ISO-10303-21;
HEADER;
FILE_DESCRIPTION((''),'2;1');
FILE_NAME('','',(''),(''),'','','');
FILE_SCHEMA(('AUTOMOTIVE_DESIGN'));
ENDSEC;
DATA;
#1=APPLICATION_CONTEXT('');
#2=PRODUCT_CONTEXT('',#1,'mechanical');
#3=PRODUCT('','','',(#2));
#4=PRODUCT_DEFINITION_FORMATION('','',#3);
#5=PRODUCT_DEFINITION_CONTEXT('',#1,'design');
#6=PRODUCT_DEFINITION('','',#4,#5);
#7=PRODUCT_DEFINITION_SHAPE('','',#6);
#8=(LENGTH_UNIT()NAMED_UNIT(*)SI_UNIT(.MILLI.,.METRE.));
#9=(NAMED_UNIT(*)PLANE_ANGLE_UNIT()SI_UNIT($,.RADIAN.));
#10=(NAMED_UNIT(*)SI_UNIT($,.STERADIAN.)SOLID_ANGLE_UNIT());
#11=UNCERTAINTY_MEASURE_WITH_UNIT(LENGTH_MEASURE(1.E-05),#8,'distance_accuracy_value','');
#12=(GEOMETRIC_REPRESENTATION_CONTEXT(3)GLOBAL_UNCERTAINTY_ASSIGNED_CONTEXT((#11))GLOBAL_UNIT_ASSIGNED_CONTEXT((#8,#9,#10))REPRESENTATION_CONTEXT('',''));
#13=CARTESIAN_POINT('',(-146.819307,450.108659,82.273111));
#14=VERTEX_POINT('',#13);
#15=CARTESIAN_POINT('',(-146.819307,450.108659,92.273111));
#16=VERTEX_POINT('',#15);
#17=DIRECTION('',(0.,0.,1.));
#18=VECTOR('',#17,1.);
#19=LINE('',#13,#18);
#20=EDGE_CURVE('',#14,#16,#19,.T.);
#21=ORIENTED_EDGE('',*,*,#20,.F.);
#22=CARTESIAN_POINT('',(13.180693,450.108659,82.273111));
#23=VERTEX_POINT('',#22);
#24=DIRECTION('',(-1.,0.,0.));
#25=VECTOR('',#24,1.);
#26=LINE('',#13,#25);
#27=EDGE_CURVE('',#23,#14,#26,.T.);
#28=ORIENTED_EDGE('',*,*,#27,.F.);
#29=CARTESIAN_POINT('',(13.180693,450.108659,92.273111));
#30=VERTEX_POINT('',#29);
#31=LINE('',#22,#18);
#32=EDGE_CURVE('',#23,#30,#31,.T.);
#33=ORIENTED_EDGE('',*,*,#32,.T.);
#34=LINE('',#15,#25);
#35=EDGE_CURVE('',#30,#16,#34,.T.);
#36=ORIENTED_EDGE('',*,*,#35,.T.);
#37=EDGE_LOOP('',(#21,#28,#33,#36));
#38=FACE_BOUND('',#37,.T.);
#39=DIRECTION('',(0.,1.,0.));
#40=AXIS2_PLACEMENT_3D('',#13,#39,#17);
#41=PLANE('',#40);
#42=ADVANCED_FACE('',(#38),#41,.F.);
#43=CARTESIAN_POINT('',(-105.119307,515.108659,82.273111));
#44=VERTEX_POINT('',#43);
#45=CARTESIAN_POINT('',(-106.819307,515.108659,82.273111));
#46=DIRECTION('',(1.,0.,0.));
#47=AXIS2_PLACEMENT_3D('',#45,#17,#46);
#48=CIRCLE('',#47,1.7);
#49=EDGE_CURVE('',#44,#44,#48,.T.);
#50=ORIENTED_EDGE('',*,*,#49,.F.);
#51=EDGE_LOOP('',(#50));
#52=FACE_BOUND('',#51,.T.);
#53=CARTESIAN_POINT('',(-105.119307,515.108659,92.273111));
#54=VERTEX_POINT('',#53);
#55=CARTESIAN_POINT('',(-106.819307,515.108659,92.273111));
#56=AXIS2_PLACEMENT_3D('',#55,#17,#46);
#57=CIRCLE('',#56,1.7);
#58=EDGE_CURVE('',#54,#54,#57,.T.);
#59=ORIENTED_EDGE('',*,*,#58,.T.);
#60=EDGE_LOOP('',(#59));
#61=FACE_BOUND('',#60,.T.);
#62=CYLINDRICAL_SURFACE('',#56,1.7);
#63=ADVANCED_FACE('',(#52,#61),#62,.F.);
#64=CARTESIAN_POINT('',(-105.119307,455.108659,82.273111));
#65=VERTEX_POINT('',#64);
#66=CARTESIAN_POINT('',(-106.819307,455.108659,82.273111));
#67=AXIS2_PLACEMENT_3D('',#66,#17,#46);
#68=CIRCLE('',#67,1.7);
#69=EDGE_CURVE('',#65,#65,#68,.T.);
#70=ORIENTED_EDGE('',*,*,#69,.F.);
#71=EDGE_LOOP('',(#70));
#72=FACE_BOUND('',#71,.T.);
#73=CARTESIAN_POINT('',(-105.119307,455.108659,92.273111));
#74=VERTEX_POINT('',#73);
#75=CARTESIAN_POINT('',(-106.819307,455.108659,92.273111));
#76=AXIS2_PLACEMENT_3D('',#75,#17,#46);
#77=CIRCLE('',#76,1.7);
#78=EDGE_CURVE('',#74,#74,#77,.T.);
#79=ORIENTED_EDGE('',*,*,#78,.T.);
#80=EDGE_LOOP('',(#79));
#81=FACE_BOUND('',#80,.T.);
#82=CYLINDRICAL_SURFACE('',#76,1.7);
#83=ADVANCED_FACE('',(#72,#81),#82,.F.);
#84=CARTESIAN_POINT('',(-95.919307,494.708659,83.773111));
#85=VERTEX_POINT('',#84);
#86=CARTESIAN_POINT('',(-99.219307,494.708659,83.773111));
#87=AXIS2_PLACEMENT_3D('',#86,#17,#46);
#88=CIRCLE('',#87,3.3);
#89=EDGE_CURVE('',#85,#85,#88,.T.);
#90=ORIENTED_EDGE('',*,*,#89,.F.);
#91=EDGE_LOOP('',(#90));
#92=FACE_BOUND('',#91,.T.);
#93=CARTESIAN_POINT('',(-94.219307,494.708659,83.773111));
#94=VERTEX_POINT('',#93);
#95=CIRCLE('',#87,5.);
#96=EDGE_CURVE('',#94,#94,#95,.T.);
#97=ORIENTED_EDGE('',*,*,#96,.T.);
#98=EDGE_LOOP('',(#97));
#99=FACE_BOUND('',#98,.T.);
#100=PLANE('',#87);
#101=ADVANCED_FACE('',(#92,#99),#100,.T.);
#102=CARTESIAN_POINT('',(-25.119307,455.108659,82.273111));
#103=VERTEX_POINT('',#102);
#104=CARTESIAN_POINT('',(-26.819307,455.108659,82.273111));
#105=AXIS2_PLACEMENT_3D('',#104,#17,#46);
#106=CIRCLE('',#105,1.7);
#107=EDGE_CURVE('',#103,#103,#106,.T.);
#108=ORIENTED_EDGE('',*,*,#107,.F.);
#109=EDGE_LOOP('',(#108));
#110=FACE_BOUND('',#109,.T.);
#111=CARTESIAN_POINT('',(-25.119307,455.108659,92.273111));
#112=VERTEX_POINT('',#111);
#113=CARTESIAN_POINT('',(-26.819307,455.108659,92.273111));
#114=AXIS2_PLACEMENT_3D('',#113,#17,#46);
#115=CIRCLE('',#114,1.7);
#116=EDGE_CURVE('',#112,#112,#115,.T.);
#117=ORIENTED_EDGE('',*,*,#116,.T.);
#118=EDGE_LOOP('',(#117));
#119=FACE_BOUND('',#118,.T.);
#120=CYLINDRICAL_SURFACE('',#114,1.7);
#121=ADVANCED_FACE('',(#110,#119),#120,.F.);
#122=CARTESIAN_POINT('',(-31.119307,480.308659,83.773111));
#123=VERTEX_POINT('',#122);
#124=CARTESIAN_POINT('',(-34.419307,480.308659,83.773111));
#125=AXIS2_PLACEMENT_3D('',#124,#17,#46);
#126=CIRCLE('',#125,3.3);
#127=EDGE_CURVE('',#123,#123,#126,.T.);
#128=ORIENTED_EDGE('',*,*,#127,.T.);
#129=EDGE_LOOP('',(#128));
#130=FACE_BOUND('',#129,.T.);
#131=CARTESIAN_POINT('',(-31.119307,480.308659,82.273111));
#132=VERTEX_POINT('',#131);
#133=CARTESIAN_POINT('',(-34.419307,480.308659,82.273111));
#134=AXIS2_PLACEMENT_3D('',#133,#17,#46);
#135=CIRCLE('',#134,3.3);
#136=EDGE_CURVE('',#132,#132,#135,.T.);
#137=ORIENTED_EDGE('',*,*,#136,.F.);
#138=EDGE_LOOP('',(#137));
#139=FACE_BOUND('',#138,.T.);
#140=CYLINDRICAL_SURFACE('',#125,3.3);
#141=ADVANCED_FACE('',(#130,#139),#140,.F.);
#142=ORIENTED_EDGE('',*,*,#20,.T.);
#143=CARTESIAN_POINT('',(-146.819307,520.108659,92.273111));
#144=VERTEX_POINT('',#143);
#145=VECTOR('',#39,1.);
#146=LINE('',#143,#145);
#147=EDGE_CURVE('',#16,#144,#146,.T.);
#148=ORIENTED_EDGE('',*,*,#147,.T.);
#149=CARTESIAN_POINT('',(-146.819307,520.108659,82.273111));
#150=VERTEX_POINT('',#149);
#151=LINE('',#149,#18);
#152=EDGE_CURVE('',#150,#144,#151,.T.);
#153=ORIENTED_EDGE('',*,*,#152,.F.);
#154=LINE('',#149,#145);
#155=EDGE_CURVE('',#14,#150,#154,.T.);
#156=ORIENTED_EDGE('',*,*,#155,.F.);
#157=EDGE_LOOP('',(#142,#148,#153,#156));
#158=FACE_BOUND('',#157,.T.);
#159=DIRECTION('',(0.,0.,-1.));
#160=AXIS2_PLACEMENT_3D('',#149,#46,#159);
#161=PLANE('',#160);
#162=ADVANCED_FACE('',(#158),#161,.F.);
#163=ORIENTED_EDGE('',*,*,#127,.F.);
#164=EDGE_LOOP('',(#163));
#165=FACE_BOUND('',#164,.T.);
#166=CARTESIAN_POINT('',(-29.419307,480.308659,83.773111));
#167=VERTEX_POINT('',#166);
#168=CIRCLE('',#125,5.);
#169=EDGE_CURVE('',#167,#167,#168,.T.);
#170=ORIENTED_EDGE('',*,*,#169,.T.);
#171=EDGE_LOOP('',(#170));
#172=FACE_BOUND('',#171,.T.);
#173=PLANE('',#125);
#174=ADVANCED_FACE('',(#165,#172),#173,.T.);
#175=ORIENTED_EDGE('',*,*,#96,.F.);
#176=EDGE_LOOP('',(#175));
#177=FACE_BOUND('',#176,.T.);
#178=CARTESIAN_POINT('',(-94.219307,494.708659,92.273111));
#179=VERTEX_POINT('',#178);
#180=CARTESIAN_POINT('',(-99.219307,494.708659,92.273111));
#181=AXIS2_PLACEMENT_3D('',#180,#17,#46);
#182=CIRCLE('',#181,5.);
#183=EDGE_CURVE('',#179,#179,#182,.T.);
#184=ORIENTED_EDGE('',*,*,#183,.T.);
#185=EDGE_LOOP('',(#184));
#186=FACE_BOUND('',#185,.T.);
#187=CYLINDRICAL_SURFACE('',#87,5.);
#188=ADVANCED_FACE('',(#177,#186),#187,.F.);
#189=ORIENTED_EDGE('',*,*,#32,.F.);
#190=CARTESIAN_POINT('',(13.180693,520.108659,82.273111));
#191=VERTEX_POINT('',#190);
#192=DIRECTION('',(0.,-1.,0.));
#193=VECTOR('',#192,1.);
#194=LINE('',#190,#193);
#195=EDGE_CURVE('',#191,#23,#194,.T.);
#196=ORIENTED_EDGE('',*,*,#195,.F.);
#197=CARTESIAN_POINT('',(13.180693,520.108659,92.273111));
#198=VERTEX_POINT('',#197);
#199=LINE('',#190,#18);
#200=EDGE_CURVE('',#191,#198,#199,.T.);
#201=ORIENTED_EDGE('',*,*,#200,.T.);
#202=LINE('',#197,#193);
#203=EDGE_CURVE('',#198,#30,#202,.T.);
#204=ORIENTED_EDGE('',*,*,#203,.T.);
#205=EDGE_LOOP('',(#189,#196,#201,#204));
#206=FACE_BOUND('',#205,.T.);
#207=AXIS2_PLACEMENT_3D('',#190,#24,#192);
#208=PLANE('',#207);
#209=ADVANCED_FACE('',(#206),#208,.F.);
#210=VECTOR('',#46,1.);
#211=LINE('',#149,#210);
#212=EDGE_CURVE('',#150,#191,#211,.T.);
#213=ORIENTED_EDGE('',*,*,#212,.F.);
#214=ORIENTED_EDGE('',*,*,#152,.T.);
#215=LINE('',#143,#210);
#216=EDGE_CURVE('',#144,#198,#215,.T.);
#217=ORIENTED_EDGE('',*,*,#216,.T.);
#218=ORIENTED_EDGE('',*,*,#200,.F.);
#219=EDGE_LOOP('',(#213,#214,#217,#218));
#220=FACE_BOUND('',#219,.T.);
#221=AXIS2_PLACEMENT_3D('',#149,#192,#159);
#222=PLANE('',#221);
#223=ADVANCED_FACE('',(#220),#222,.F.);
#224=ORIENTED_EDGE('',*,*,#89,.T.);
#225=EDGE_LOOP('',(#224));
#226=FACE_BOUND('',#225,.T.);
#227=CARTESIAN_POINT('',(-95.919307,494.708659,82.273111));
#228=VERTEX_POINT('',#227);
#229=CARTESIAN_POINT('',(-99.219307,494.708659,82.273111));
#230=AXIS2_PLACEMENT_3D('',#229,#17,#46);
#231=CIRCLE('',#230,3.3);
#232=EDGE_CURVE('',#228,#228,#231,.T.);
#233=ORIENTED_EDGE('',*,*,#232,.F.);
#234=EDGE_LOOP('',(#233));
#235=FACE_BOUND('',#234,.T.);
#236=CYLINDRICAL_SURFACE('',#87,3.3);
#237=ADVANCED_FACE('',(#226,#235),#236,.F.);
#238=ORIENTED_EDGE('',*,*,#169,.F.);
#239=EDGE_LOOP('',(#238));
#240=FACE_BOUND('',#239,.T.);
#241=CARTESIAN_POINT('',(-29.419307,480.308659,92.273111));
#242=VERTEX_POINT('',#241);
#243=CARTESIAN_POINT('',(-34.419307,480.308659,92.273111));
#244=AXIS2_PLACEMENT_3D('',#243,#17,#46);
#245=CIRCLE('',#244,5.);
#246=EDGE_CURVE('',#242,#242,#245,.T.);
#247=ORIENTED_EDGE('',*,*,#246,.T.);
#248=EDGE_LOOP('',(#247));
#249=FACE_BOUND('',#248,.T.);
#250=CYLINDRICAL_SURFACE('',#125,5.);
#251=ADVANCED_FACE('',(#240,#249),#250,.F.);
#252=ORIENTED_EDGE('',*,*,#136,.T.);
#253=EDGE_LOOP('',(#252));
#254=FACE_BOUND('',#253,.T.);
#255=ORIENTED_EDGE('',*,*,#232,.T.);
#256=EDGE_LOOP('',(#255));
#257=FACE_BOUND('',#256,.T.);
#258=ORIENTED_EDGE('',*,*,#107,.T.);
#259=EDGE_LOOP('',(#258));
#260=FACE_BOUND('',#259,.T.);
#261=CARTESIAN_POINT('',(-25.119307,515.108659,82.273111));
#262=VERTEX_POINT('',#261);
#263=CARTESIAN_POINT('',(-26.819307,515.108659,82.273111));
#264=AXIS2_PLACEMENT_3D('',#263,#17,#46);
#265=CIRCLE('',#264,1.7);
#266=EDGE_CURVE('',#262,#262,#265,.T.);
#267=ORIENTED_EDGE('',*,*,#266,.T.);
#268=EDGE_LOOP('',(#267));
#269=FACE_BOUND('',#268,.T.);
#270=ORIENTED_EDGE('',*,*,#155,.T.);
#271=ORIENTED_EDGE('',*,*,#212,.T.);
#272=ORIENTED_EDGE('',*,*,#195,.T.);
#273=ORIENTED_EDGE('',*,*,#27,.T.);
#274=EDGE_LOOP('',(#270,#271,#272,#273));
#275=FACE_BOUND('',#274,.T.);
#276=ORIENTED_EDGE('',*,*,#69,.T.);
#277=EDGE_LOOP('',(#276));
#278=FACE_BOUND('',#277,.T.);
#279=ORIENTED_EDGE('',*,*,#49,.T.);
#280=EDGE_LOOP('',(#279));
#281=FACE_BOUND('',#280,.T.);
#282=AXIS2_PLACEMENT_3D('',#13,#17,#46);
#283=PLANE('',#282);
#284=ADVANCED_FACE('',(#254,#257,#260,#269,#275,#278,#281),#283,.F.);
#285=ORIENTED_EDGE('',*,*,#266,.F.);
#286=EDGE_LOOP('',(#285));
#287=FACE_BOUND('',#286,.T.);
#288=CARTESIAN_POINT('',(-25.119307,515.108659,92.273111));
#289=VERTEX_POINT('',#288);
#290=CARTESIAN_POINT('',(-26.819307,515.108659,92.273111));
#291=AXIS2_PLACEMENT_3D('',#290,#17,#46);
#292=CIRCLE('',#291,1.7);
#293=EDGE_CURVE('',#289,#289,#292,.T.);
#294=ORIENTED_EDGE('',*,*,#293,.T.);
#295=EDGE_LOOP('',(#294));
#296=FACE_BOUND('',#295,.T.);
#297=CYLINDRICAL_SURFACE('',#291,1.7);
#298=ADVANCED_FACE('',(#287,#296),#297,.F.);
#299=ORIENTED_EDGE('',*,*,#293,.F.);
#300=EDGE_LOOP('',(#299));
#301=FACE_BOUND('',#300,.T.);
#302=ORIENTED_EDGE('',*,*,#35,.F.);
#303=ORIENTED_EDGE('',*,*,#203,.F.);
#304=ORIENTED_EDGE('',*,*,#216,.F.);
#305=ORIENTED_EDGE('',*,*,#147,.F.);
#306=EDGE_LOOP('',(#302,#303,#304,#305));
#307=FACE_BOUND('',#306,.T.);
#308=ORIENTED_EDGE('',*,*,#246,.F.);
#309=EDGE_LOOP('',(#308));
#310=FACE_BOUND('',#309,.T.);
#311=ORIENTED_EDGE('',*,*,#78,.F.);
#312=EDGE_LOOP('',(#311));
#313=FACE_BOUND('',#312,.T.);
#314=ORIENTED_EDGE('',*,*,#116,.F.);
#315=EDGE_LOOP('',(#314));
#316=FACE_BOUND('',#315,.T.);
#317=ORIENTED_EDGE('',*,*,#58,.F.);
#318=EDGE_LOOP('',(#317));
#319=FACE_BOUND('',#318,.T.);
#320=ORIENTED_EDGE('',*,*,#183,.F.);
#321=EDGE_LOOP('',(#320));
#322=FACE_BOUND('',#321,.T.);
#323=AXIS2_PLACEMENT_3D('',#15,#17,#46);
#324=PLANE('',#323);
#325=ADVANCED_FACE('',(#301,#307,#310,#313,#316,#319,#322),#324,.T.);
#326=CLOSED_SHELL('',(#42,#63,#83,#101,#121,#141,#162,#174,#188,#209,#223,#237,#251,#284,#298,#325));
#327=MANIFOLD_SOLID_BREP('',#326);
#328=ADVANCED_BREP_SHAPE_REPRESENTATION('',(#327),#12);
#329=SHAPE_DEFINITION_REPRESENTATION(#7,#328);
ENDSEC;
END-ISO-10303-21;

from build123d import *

# Parameters (mm, degrees)
ESBO_O1_W                = 160
ESBO_O1_H                = 70
RESSALTO_EXTRUS_O1_DEPTH = 10
FURO_COM_FOLGA_DE_M33_D  = 3.4
ESBO_O6_R                = 5
CORTE_EXTRUS_O1_DEPTH    = 10
FURO_COM_FOLGA_DE_M61_D  = 6.6


with BuildPart() as part:
    # Esboço1 → Ressalto-extrusão1 (new body)
    with BuildSketch(Plane(origin=(0, 0, 92.2731107), x_dir=(-1, 0, 0), z_dir=(0, 0, -1))):
        with Locations((66.819307324, 485.108658775)):
            Rectangle(ESBO_O1_W, ESBO_O1_H)
    extrude(amount=RESSALTO_EXTRUS_O1_DEPTH)

    # Furo com folga de M33 (through all)
    with Locations(Plane.XY.offset(92.2731107)):
        with Locations((-106.819307324, 515.108658775), (-26.819307324, 515.108658775), (-26.819307324, 455.108658775), (-106.819307324, 455.108658775)):
            Hole(FURO_COM_FOLGA_DE_M33_D / 2)

    # Esboço6 → Corte-extrusão1 (cut)
    with BuildSketch(Plane.XY.offset(93.7731107)):
        with Locations((-34.419307324, 480.308658775)):
            Circle(ESBO_O6_R)
        with Locations((-99.219307324, 494.708658775)):
            Circle(ESBO_O6_R)
    extrude(amount=-CORTE_EXTRUS_O1_DEPTH, mode=Mode.SUBTRACT)

    # Furo com folga de M61 (through all)
    with Locations(Plane.XY.offset(83.7731107)):
        with Locations((-99.219307324, 494.708658775), (-34.419307324, 480.308658775)):
            Hole(FURO_COM_FOLGA_DE_M61_D / 2)


solid = part.part
